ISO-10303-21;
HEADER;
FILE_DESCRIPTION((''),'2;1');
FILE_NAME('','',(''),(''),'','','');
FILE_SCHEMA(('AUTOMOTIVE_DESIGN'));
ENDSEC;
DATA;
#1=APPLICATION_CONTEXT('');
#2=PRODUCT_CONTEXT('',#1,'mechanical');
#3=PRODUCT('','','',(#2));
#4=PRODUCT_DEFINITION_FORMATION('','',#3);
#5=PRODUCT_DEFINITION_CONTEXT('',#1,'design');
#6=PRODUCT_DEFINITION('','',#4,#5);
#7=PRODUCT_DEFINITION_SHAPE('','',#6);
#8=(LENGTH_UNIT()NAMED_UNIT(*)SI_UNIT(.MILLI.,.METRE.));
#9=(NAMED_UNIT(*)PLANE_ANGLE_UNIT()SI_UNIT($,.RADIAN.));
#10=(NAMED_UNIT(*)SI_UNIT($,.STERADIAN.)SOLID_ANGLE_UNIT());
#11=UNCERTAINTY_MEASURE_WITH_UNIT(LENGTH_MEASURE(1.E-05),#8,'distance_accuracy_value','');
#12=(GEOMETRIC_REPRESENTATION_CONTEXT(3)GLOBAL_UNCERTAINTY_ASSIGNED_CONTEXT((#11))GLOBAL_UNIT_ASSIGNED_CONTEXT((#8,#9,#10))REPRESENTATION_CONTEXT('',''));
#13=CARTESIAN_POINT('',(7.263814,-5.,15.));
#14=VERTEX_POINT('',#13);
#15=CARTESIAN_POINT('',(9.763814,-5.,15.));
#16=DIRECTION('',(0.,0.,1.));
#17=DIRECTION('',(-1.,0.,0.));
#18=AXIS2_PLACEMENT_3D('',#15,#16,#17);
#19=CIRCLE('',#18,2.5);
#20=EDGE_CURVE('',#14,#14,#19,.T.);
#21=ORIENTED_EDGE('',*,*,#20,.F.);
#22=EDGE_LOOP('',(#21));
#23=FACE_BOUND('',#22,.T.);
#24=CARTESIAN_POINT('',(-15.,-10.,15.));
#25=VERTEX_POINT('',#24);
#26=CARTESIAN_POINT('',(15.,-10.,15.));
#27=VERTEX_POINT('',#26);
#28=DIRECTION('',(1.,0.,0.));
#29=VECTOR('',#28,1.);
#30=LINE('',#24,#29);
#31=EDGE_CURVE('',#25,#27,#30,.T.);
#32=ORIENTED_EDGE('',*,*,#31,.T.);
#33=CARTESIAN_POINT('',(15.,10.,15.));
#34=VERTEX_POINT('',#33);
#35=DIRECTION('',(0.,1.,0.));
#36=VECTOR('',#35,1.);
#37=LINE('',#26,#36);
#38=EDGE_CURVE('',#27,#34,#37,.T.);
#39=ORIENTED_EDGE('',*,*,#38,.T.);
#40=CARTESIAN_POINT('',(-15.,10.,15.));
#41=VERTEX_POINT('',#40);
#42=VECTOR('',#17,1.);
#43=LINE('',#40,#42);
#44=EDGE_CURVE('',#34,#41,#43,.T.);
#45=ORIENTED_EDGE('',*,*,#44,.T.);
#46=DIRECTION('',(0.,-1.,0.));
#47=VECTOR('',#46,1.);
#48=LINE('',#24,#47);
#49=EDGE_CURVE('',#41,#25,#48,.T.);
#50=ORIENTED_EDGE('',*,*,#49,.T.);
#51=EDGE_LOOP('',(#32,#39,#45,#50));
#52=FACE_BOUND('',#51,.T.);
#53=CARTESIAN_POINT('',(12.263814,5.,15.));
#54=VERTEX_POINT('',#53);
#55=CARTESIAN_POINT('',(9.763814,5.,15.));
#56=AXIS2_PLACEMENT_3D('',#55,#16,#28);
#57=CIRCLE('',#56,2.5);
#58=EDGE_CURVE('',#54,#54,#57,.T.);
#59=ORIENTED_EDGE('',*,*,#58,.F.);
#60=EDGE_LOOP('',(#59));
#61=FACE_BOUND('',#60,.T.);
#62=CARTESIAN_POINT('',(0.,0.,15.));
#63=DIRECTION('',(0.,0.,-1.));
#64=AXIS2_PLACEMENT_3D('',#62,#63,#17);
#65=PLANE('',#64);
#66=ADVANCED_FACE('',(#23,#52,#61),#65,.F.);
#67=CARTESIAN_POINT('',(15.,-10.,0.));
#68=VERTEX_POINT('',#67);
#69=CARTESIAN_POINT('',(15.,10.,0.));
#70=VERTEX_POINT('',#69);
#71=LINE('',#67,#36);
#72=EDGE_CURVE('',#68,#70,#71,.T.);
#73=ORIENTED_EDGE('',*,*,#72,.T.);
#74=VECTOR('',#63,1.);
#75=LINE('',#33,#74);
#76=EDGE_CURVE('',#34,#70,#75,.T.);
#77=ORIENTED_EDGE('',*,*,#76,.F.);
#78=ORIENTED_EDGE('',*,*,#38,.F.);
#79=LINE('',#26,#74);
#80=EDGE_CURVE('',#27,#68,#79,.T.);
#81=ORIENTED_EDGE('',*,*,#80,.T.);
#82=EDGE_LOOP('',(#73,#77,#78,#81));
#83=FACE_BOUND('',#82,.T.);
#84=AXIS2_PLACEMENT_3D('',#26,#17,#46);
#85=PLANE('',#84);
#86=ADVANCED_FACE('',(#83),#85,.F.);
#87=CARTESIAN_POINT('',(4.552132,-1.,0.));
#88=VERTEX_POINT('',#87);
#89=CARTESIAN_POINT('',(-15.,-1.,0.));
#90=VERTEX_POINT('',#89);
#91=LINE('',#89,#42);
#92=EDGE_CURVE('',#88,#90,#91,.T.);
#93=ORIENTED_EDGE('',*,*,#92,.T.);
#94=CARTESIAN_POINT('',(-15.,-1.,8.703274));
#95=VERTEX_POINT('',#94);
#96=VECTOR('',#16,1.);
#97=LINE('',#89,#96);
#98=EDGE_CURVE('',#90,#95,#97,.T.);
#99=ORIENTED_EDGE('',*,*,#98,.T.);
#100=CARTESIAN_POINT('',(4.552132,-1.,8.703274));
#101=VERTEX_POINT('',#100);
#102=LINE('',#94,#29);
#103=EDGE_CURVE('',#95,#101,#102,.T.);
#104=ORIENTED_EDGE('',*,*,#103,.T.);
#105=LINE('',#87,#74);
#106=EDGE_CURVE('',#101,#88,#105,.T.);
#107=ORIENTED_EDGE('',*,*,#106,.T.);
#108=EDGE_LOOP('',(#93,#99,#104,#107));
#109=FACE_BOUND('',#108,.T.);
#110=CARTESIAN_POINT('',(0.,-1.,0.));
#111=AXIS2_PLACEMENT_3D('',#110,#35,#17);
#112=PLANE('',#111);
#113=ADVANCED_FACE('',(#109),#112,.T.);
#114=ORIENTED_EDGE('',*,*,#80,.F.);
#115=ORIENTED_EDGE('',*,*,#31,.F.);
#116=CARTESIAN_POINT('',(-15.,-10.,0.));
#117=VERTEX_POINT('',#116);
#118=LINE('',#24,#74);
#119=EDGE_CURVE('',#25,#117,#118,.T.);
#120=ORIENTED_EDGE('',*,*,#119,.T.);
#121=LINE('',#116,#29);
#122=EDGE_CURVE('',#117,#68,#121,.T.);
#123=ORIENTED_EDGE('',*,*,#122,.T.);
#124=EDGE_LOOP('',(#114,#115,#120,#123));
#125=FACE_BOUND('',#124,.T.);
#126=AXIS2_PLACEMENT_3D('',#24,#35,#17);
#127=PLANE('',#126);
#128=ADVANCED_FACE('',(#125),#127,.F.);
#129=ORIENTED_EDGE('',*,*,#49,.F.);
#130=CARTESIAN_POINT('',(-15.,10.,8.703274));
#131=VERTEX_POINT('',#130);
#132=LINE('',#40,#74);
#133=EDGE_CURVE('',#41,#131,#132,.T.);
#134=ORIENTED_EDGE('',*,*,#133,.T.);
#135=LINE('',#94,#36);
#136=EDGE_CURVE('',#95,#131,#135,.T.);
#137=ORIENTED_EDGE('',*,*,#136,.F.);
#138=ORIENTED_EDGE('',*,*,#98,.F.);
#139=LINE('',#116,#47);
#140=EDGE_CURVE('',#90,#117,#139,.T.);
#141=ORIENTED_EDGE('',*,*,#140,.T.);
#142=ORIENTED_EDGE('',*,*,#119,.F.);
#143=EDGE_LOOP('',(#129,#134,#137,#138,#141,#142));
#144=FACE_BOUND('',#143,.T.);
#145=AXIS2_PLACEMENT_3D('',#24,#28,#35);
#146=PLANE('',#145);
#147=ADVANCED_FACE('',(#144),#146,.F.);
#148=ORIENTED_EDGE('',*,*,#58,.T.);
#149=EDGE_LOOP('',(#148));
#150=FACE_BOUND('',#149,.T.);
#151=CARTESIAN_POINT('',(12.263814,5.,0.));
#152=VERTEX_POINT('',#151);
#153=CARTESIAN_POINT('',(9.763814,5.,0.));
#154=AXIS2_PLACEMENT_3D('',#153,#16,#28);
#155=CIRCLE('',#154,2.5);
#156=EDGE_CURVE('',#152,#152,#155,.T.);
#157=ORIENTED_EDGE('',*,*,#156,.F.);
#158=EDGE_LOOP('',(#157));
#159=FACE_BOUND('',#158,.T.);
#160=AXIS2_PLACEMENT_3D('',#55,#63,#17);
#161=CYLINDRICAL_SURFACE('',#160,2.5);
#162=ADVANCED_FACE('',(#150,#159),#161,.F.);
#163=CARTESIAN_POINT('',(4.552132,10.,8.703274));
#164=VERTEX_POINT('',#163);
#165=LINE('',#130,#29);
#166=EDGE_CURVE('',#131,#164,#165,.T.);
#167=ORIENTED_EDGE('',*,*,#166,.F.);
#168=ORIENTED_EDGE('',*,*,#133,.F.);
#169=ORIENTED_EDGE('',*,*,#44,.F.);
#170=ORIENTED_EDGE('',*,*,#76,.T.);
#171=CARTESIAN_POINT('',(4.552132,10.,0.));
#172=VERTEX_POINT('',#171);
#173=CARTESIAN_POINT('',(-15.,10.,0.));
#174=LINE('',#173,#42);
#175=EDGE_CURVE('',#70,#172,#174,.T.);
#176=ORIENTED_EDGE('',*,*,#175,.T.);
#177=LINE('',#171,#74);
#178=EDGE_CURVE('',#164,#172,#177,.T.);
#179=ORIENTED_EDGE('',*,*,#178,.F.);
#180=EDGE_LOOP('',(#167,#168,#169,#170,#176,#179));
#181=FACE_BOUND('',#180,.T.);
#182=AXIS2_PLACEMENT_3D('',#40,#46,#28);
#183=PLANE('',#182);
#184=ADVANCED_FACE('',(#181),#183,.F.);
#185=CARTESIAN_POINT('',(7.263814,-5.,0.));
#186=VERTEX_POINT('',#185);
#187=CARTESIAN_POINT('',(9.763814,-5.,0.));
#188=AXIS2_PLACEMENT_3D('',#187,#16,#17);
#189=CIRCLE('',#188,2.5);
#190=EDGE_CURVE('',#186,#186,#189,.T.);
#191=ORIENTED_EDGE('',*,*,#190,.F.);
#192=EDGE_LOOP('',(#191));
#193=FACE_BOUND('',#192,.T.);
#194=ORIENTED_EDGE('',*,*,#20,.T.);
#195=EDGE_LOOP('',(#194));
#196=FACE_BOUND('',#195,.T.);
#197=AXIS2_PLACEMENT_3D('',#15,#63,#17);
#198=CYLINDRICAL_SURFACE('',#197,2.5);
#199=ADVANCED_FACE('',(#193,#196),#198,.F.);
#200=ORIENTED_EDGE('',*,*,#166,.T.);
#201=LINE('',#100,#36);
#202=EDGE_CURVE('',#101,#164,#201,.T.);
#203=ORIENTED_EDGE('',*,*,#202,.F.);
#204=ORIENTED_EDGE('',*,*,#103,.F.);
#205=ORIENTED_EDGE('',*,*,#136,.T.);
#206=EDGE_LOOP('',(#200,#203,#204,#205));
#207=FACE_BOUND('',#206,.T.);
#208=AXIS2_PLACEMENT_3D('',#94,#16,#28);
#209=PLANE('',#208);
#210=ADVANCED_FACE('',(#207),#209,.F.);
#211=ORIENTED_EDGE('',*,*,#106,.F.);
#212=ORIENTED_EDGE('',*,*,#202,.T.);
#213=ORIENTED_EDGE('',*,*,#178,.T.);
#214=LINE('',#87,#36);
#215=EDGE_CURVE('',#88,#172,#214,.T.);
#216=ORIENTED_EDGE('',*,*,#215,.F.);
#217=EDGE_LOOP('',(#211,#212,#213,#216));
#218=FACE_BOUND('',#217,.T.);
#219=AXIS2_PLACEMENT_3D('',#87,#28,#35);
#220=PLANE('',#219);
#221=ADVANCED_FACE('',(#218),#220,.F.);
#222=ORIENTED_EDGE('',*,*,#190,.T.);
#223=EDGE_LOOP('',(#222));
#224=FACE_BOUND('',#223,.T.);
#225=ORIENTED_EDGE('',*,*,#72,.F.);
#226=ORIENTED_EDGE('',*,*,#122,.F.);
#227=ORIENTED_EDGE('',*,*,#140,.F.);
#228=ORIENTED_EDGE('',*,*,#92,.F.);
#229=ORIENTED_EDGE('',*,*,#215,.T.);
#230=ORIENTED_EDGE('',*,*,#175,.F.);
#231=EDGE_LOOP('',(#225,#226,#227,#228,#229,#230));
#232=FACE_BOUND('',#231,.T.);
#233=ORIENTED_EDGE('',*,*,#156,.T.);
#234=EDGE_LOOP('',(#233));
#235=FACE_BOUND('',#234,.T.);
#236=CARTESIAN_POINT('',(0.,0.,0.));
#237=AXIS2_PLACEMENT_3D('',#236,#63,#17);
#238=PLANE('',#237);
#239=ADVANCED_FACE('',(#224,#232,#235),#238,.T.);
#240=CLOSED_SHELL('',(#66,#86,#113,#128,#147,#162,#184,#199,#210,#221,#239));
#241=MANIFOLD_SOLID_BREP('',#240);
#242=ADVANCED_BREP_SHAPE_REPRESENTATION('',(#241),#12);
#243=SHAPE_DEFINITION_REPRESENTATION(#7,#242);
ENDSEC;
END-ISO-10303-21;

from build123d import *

# Parameters (mm, degrees)
ESQUISSE1_W             = 30
ESQUISSE1_H             = 20
ESQUISSE1_R             = 2.5
BOSS_EXTRU_1_DEPTH      = 15
ESQUISSE2_W             = 19.552131663
ESQUISSE2_H             = 8.703273887
ENL_V_MAT_EXTRU_1_DEPTH = 11


with BuildPart() as part:
    # Esquisse1 → Boss.-Extru.1 (new body)
    with BuildSketch(Plane.XY):
        Rectangle(ESQUISSE1_W, ESQUISSE1_H)
        with Locations((9.763813692, 5)):
            Circle(ESQUISSE1_R, mode=Mode.SUBTRACT)
        with Locations(Location((9.763813692, -5, 0), (0, 0, 180))):
            Circle(ESQUISSE1_R, mode=Mode.SUBTRACT)
    extrude(amount=BOSS_EXTRU_1_DEPTH)

    # Esquisse2 → Enlèv. mat.-Extru.1 (cut)
    with BuildSketch(Plane(origin=(0, 10, 0), x_dir=(1, 0, 0), z_dir=(0, 1, 0))):
        with Locations((-5.223934169, -4.351636943)):
            Rectangle(ESQUISSE2_W, ESQUISSE2_H)
    extrude(amount=-ENL_V_MAT_EXTRU_1_DEPTH, mode=Mode.SUBTRACT)


solid = part.part
